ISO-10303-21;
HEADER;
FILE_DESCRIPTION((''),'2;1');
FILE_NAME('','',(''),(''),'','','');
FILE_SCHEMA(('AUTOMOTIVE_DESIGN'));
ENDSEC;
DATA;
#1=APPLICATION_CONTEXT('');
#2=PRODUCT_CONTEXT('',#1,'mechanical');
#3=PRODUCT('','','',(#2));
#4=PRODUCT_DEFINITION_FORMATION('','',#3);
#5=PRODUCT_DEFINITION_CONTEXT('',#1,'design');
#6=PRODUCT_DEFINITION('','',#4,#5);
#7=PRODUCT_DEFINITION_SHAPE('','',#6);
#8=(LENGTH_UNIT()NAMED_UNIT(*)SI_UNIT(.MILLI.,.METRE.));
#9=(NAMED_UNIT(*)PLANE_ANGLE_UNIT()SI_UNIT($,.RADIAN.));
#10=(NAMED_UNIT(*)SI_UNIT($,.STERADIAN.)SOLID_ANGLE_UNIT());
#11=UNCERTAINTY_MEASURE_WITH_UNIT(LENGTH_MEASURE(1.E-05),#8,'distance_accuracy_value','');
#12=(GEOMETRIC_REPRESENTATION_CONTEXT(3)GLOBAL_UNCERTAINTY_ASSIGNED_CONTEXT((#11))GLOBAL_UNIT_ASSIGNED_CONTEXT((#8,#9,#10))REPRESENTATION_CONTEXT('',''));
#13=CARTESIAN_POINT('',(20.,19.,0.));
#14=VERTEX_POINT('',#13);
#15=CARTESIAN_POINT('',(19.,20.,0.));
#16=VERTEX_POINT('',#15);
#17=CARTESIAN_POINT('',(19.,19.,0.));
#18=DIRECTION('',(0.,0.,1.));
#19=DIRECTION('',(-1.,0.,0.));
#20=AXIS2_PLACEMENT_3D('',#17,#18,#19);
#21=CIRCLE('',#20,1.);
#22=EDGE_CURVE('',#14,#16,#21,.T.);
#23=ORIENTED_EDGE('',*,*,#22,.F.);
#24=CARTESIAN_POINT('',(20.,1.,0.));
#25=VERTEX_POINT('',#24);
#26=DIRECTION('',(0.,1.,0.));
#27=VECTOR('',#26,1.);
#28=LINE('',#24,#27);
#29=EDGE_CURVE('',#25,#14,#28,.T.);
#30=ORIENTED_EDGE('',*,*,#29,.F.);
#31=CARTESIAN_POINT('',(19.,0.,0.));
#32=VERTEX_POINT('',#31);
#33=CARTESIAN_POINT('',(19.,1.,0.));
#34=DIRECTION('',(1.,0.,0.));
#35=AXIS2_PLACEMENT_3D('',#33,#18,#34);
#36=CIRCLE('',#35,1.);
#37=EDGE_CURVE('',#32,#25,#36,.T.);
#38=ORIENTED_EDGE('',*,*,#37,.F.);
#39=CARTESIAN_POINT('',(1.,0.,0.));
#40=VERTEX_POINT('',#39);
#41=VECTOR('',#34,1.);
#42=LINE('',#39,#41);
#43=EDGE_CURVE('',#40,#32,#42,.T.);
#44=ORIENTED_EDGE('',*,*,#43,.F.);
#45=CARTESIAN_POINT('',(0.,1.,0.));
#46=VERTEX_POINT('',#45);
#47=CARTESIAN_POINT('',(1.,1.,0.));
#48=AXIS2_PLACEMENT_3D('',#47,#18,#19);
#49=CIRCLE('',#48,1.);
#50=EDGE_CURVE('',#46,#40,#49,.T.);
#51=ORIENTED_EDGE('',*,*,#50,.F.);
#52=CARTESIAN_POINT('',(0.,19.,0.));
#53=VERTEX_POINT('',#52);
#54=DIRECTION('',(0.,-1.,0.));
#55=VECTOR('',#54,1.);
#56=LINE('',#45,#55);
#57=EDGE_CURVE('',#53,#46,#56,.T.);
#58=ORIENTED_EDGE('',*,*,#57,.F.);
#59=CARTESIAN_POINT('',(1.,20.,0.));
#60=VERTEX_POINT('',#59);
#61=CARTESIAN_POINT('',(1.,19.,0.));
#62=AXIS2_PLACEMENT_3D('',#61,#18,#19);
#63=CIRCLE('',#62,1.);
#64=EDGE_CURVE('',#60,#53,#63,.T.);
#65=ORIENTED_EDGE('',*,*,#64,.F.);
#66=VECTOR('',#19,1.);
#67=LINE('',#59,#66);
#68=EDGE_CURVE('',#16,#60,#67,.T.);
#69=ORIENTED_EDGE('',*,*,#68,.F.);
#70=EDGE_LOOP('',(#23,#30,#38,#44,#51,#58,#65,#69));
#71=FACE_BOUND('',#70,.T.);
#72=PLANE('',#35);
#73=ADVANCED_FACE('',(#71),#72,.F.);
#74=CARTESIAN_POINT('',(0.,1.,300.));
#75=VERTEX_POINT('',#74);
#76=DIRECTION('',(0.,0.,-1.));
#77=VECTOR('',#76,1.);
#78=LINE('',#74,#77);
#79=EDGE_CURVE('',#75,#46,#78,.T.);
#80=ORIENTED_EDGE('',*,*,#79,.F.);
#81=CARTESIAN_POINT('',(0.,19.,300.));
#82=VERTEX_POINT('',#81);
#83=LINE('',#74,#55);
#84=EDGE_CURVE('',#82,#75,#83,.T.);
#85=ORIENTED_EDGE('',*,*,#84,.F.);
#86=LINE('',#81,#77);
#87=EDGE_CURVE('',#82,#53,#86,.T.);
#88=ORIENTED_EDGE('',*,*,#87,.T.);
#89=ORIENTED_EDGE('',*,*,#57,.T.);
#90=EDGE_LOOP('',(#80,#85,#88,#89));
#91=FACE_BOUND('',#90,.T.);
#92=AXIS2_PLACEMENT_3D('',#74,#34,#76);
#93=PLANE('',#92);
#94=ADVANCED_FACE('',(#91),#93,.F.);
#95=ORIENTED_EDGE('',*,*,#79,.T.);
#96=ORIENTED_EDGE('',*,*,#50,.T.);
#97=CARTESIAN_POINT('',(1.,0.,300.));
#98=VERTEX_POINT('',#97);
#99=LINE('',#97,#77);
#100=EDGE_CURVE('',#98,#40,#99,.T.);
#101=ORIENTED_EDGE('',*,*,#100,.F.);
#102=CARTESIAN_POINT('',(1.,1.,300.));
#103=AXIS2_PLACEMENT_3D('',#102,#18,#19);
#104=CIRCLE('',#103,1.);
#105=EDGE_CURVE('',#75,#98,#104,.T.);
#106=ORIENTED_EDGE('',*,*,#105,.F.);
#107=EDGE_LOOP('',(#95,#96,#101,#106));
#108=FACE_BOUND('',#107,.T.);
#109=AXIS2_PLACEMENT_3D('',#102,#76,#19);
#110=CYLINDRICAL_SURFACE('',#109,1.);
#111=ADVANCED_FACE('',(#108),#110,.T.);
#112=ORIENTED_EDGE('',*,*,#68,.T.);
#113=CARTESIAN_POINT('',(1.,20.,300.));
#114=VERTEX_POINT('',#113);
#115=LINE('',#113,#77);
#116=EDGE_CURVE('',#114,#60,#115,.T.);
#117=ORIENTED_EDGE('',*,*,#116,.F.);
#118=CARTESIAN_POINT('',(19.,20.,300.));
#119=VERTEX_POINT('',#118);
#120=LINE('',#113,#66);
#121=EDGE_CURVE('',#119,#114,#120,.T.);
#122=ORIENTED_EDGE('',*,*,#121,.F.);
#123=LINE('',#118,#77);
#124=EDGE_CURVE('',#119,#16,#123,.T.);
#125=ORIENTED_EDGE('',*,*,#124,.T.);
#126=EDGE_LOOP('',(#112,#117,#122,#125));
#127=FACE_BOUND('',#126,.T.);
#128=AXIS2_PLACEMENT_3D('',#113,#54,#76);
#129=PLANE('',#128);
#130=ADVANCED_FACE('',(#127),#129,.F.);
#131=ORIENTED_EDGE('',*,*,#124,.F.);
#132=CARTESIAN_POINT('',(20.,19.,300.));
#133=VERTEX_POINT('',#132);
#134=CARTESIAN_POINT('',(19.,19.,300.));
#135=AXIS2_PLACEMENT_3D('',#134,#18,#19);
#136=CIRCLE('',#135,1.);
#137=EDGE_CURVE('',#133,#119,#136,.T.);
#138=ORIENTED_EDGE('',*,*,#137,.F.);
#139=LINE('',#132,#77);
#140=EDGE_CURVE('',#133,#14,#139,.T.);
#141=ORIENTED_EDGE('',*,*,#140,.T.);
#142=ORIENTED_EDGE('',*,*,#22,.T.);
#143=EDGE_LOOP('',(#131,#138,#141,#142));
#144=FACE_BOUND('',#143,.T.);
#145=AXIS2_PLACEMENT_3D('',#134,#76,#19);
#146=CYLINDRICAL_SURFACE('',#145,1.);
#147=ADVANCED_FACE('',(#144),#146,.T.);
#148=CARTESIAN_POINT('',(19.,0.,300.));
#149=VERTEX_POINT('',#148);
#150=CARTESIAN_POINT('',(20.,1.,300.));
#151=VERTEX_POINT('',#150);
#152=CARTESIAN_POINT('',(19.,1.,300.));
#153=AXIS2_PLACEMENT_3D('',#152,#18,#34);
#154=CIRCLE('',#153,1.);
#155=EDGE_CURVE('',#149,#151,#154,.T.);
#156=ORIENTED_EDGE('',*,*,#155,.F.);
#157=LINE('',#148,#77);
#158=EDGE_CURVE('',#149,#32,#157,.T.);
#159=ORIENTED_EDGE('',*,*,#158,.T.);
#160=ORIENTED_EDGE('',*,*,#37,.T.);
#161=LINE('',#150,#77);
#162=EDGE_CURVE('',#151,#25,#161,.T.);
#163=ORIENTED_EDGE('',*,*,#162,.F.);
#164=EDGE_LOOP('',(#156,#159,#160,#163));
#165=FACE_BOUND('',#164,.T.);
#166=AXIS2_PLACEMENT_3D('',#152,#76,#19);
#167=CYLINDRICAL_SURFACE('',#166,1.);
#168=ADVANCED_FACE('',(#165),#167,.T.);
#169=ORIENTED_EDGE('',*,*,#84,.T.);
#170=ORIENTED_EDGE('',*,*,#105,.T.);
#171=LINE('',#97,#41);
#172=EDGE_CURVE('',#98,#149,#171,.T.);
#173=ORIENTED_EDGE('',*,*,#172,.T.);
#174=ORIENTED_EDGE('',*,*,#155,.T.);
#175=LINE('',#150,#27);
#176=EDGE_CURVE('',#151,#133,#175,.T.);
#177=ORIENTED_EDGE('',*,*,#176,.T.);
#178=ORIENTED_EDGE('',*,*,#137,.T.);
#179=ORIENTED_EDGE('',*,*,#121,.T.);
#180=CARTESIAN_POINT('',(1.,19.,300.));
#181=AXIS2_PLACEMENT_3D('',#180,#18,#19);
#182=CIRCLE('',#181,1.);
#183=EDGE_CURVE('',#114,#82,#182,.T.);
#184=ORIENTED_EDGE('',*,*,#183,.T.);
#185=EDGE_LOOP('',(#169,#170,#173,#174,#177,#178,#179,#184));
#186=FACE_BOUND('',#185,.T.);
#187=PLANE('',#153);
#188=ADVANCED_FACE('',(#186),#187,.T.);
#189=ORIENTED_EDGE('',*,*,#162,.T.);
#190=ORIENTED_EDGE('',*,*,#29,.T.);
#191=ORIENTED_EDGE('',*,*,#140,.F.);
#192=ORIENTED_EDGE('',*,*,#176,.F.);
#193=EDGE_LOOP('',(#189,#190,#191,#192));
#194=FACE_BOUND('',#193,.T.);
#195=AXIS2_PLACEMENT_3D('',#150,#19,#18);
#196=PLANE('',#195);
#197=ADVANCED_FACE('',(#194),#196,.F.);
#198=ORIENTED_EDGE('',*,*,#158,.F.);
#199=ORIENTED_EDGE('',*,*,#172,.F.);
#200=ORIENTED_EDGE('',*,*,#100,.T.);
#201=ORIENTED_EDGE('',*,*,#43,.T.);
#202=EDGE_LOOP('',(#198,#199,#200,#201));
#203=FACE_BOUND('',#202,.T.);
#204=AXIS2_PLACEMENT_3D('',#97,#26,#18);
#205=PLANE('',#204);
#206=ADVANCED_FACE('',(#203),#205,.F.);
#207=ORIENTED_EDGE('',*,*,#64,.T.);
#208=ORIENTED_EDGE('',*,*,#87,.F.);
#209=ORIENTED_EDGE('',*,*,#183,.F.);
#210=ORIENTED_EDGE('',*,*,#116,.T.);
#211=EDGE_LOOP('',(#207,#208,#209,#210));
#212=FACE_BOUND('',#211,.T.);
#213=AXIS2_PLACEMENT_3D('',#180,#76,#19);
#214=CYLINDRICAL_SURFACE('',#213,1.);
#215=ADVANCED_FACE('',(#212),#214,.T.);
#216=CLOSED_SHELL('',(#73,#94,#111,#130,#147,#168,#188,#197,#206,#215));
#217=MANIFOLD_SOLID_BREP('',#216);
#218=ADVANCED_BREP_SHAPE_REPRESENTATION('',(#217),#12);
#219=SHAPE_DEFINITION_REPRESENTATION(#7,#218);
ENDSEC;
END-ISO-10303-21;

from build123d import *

# Parameters (mm, degrees)
BOSS_EXTRUDE1_DEPTH = 300


with BuildPart() as part:
    # Sketch1 → Boss-Extrude1 (new body)
    with BuildSketch(Plane.XY):
        with BuildLine():
            Line((1, 0), (19, 0))
            ThreePointArc((19, 0), (19.707106781, 0.292893219), (20, 1))
            Line((20, 1), (20, 19))
            ThreePointArc((20, 19), (19.707106781, 19.707106781), (19, 20))
            Line((19, 20), (1, 20))
            ThreePointArc((1, 20), (0.292893219, 19.707106781), (0, 19))
            Line((0, 19), (0, 1))
            ThreePointArc((0, 1), (0.292893219, 0.292893219), (1, 0))
        make_face()
    extrude(amount=BOSS_EXTRUDE1_DEPTH)


solid = part.part
